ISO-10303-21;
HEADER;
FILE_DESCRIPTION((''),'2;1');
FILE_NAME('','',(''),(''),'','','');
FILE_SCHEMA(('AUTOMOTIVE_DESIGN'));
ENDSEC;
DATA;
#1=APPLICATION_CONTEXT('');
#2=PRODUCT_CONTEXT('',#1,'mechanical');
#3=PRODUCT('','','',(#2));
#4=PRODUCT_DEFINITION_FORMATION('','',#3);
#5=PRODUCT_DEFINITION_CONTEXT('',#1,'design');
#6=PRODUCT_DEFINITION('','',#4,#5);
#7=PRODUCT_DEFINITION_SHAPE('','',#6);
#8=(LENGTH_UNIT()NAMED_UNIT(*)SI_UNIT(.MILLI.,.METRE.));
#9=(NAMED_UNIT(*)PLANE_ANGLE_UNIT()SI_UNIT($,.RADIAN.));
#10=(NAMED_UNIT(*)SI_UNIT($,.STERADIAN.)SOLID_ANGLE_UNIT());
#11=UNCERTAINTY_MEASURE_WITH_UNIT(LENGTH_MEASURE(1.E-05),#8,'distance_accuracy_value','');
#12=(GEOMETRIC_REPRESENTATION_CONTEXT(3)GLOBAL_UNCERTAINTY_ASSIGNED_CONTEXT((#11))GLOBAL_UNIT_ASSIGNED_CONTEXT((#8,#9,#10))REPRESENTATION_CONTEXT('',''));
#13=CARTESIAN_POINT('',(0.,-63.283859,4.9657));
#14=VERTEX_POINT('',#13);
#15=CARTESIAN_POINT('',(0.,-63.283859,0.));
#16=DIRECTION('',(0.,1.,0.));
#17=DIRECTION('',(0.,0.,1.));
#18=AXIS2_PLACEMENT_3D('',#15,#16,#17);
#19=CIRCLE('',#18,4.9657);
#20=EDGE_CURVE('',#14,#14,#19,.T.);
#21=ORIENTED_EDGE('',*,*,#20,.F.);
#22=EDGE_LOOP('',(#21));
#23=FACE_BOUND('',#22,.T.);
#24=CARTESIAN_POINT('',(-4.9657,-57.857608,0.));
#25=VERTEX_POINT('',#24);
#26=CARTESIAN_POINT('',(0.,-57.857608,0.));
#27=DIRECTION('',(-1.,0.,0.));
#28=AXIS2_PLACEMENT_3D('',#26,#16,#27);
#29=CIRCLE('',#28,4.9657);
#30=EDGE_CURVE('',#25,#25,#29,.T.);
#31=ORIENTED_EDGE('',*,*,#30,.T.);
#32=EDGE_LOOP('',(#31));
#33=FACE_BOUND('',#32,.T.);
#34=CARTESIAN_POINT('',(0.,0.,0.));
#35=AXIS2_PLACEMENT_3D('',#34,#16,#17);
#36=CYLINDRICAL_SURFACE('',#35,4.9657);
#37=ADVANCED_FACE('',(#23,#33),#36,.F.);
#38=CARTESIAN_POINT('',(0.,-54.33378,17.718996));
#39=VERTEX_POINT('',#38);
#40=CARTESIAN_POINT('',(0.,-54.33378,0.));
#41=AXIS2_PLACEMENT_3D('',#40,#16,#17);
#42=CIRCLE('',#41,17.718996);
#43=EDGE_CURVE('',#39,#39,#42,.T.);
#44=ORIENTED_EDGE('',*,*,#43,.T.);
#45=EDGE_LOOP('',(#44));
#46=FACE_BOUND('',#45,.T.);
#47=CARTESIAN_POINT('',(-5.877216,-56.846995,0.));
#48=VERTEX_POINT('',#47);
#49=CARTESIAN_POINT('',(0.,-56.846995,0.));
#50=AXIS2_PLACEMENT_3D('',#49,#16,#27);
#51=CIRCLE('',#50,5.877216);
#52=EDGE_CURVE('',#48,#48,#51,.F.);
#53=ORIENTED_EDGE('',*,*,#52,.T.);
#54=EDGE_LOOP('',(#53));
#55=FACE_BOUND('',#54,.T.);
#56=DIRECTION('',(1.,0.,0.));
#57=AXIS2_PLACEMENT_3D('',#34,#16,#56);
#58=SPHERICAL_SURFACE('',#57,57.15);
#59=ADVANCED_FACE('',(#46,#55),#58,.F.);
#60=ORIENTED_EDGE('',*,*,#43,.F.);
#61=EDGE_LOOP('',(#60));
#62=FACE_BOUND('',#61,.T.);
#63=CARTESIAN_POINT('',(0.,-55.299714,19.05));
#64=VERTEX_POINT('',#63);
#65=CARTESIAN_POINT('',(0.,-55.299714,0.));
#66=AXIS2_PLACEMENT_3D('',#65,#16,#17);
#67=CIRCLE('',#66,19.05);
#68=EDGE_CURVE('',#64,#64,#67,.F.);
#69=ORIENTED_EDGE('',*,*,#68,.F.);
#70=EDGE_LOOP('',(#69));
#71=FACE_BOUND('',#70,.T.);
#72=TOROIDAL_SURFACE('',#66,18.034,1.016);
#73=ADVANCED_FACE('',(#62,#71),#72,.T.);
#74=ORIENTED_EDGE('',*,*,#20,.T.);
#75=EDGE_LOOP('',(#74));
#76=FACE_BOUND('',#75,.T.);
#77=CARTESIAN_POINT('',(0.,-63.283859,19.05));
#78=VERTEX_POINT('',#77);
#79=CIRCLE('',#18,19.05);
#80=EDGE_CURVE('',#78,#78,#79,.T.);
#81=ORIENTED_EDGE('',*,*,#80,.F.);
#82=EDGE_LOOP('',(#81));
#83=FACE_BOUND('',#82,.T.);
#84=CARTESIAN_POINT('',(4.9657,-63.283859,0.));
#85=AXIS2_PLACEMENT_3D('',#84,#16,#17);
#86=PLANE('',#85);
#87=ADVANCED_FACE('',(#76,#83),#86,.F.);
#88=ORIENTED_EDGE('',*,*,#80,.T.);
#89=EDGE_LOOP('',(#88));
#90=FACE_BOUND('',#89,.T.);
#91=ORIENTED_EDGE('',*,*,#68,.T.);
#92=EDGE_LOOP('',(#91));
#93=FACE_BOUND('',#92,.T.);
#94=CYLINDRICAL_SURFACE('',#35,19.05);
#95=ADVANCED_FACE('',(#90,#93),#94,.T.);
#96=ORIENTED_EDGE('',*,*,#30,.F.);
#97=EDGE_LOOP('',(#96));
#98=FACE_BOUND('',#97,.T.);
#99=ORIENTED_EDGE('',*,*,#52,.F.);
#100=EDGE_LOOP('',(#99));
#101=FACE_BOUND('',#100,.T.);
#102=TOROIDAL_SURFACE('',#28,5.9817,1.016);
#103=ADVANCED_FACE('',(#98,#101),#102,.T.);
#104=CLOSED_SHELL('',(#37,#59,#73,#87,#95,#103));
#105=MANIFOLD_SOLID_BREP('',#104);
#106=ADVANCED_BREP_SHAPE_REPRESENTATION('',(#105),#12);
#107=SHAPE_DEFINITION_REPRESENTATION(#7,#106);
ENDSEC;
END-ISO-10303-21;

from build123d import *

# Parameters (mm, degrees)
FILLET1_R = 1.016
FILLET2_R = 1.016


with BuildPart() as part:
    # Sketch1 → Revolve1 (revolve)
    with BuildSketch(Plane.XY, mode=Mode.PRIVATE) as revolve1_sk:
        with BuildLine():
            Line((4.9657, -63.283859201), (19.05, -63.283859201))
            Line((19.05, -63.283859201), (19.05, -53.881536726))
            ThreePointArc((19.05, -53.881536726), (12.104446693, -55.853423084), (4.9657, -56.933859201))
            Line((4.9657, -56.933859201), (4.9657, -63.283859201))
        make_face()
    revolve(revolve1_sk.sketch.rotate(Axis((0, 0, 0), (0, -1, 0)), 90), axis=Axis((0, 0, 0), (0, -1, 0)))  # turned: the seam where the file's is

    # Fillet1
    fillet1_edges = [part.edges().sort_by_distance(p)[0] for p in [
        (0, -53.881536726, -19.05),
    ]]
    fillet(fillet1_edges, radius=FILLET1_R)

    # Fillet2
    fillet2_edges = [part.edges().sort_by_distance(p)[0] for p in [
        (0, -56.933859201, -4.9657),
    ]]
    fillet(fillet2_edges, radius=FILLET2_R)


solid = part.part
